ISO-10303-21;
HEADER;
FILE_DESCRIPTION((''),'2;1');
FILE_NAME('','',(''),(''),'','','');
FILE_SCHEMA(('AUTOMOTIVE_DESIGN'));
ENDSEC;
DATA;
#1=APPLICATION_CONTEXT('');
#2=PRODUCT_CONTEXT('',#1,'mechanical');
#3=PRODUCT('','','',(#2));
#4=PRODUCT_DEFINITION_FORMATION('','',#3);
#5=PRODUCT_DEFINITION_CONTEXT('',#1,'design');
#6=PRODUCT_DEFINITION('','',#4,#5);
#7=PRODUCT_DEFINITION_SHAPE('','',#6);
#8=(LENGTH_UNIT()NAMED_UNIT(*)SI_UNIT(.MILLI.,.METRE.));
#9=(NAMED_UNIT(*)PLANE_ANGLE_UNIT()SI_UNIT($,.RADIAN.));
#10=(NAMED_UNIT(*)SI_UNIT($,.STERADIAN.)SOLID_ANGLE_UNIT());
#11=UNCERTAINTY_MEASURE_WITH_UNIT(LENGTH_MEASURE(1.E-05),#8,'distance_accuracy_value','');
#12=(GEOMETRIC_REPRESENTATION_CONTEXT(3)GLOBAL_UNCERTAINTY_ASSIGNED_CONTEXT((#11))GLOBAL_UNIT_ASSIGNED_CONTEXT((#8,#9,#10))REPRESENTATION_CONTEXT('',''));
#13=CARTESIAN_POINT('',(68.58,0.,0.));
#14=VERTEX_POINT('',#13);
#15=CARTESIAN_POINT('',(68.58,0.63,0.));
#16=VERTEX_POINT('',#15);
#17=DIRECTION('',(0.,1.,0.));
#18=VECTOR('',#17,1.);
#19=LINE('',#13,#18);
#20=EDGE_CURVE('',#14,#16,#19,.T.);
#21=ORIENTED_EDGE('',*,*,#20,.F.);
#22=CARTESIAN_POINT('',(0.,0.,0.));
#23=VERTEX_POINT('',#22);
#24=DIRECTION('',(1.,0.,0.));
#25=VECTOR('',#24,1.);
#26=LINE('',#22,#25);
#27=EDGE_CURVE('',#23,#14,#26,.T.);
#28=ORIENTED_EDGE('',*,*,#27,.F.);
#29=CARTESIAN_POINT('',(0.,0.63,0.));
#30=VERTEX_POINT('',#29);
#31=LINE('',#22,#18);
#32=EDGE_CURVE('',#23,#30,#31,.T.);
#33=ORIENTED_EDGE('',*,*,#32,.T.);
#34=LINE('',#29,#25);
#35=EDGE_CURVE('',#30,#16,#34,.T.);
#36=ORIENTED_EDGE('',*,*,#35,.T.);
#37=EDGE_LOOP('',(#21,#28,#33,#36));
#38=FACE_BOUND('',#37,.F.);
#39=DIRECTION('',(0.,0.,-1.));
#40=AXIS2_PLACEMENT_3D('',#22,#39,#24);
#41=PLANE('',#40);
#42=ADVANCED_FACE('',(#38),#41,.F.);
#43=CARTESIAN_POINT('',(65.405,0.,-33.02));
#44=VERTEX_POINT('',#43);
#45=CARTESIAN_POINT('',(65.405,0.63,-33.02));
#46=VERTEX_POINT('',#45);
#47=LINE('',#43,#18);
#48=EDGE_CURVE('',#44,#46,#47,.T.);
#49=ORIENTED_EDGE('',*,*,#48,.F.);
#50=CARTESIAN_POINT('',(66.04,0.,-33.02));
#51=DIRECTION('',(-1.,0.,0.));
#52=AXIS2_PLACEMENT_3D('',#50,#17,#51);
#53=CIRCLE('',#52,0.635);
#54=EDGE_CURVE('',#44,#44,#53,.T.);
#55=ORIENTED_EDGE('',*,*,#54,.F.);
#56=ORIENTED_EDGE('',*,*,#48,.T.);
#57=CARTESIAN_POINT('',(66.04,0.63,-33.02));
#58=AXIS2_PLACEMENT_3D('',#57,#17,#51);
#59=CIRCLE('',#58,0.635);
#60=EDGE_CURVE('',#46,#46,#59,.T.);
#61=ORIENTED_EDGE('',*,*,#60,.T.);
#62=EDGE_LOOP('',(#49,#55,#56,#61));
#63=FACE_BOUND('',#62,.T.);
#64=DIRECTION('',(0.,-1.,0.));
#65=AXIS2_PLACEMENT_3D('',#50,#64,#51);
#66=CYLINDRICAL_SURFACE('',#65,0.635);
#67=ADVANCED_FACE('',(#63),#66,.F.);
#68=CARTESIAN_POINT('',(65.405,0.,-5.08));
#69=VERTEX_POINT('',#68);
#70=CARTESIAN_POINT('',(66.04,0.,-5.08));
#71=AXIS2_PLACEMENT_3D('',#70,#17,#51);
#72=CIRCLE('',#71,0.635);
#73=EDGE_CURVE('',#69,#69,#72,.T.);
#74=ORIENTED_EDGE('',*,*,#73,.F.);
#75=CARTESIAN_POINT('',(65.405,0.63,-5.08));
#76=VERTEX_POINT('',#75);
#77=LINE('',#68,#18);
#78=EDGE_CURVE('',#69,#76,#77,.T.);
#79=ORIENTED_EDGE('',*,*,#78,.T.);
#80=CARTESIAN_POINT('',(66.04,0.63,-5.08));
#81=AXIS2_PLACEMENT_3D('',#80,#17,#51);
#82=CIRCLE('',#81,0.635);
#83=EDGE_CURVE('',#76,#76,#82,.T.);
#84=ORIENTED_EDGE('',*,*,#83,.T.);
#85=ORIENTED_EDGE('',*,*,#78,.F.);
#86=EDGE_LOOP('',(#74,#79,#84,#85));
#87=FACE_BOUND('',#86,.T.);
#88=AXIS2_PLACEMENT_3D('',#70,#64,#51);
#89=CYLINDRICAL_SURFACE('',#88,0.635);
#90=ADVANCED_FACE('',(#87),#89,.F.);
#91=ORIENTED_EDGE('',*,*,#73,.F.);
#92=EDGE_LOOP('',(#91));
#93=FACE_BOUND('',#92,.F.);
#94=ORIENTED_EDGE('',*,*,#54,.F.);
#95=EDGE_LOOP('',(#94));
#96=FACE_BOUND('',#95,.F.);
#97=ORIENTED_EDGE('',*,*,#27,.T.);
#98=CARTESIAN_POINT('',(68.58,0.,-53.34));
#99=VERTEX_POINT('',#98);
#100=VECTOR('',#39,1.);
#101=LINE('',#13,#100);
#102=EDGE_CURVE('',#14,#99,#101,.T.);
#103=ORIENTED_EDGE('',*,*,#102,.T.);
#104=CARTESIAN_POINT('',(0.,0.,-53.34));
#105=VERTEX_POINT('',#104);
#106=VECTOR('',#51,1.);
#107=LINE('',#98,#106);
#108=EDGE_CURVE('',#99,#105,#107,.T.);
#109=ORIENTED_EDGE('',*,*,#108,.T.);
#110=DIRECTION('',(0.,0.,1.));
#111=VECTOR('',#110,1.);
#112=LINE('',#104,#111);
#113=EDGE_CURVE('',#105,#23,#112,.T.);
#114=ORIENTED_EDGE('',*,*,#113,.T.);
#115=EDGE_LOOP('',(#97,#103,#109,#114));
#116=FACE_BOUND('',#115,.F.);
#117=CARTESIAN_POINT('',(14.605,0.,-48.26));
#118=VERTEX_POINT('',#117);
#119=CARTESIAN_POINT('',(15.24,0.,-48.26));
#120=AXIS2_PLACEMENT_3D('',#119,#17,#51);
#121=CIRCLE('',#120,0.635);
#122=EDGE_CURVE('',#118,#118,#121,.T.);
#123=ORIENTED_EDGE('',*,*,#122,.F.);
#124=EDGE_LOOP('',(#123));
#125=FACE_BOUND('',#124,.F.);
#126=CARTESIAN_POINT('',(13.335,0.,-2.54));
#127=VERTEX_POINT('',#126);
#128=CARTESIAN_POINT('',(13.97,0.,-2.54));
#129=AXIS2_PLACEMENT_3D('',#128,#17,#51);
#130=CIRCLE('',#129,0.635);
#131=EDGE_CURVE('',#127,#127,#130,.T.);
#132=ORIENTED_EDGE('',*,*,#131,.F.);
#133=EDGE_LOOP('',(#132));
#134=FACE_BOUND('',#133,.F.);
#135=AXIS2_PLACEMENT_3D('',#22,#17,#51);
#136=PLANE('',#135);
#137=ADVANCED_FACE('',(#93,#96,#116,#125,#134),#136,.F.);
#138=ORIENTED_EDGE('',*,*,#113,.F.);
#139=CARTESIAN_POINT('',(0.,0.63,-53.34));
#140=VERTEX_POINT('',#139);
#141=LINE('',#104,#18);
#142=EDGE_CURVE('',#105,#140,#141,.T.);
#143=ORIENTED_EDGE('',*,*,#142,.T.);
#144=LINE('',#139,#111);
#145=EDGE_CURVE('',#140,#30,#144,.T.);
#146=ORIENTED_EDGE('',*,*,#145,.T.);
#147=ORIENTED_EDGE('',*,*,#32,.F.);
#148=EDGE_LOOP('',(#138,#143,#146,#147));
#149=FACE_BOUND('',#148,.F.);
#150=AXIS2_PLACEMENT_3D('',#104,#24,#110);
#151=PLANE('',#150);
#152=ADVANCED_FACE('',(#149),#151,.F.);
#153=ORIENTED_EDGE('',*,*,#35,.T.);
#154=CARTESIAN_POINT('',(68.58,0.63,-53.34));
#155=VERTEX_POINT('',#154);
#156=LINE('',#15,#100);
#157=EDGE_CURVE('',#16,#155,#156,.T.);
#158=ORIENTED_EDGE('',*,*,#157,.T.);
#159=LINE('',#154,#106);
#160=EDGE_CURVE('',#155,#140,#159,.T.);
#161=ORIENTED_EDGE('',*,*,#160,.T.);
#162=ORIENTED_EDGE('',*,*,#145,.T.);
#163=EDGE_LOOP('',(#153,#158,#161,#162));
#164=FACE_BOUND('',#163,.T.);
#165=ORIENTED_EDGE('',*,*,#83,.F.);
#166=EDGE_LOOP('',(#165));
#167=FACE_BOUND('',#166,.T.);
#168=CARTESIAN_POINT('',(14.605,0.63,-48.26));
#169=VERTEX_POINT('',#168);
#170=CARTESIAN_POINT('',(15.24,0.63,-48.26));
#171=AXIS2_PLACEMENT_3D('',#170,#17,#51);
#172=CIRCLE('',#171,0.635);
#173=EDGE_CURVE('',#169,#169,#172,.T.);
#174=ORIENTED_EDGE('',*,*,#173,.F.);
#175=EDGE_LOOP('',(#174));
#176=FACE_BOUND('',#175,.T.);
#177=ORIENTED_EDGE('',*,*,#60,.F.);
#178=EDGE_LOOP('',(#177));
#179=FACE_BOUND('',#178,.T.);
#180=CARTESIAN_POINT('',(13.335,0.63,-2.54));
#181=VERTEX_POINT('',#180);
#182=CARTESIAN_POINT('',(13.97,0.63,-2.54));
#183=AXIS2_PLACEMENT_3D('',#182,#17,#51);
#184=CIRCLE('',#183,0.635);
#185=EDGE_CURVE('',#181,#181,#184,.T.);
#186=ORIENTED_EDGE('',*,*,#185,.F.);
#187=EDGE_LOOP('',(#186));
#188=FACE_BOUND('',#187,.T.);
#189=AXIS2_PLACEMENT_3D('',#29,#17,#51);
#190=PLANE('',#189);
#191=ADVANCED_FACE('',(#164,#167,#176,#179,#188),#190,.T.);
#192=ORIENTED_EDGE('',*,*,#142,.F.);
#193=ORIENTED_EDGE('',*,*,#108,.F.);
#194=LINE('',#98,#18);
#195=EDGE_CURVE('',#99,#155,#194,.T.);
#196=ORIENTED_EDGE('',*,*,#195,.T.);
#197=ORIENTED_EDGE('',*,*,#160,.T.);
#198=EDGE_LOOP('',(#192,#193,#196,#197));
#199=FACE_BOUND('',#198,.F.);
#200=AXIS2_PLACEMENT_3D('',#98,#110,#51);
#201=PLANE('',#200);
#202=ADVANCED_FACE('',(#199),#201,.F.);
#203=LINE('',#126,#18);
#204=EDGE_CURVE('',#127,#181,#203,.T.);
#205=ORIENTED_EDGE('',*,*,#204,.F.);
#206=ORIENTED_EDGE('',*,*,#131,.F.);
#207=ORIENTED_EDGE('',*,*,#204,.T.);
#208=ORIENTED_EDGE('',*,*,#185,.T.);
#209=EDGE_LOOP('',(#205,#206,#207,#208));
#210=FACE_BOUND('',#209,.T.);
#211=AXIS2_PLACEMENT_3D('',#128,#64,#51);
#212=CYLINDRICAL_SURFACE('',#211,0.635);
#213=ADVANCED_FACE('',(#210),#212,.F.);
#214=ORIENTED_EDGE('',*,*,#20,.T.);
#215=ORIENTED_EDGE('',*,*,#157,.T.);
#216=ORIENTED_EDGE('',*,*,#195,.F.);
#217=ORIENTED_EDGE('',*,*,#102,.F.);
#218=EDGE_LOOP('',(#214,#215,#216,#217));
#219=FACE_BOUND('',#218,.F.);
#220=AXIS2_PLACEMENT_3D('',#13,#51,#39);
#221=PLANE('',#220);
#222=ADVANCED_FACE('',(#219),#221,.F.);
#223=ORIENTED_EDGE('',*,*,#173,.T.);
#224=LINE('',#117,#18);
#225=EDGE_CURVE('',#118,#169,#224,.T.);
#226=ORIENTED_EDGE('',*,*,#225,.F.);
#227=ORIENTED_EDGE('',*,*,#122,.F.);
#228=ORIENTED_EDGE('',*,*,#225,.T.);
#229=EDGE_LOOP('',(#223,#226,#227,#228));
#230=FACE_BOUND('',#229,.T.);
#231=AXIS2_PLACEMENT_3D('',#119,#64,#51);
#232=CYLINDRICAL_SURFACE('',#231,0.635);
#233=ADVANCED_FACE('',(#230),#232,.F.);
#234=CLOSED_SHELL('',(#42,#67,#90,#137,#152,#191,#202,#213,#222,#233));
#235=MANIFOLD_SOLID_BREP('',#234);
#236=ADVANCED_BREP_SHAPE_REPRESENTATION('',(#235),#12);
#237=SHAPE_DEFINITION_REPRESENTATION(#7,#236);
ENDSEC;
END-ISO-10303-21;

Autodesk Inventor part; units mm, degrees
ref_plane "YZ Plane" through (0, 0, 0) normal (1, 0, 0) x (0, 1, 0)
ref_plane "XZ Plane" through (0, 0, 0) normal (0, 1, 0) x (-1, 0, 0)
ref_plane "XY Plane" through (0, 0, 0) normal (0, 0, 1) x (1, 0, 0)
sketch "Sketch1" plane through (0, 0, 0) normal (0, 1, 0) x (-1, 0, 0)
  line L0 (0, 0) -> (-68.58, 0)
  line L1 (-68.58, 0) -> (-68.58, -53.34)
  line L2 (-68.58, -53.34) -> (0, -53.34)
  line L3 (0, -53.34) -> (0, 0)
  circle A0 centre (-13.97, -2.54) radius 0.635
  circle A1 centre (-15.24, -48.26) radius 0.635
  circle A2 centre (-66.04, -5.08) radius 0.635
  circle A3 centre (-66.04, -33.02) radius 0.635
  dimension "d0" = 68.58
  dimension "d1" = 53.34
  dimension "d2" = 1.27
  dimension "d3" = 1.27
  dimension "d4" = 13.97
  dimension "d5" = 2.54
  dimension "d6" = 15.24
  dimension "d7" = 5.08
  dimension "d10" = 1.27
  dimension "d11" = 1.27
  dimension "d12" = 50.8
  dimension "d13" = 50.8
  dimension "d14" = 27.94
  dimension "d15" = 15.24
extrude "Extrusion1" add sketch "Sketch1" along normal blind 0.63
properties part number "arduino"
